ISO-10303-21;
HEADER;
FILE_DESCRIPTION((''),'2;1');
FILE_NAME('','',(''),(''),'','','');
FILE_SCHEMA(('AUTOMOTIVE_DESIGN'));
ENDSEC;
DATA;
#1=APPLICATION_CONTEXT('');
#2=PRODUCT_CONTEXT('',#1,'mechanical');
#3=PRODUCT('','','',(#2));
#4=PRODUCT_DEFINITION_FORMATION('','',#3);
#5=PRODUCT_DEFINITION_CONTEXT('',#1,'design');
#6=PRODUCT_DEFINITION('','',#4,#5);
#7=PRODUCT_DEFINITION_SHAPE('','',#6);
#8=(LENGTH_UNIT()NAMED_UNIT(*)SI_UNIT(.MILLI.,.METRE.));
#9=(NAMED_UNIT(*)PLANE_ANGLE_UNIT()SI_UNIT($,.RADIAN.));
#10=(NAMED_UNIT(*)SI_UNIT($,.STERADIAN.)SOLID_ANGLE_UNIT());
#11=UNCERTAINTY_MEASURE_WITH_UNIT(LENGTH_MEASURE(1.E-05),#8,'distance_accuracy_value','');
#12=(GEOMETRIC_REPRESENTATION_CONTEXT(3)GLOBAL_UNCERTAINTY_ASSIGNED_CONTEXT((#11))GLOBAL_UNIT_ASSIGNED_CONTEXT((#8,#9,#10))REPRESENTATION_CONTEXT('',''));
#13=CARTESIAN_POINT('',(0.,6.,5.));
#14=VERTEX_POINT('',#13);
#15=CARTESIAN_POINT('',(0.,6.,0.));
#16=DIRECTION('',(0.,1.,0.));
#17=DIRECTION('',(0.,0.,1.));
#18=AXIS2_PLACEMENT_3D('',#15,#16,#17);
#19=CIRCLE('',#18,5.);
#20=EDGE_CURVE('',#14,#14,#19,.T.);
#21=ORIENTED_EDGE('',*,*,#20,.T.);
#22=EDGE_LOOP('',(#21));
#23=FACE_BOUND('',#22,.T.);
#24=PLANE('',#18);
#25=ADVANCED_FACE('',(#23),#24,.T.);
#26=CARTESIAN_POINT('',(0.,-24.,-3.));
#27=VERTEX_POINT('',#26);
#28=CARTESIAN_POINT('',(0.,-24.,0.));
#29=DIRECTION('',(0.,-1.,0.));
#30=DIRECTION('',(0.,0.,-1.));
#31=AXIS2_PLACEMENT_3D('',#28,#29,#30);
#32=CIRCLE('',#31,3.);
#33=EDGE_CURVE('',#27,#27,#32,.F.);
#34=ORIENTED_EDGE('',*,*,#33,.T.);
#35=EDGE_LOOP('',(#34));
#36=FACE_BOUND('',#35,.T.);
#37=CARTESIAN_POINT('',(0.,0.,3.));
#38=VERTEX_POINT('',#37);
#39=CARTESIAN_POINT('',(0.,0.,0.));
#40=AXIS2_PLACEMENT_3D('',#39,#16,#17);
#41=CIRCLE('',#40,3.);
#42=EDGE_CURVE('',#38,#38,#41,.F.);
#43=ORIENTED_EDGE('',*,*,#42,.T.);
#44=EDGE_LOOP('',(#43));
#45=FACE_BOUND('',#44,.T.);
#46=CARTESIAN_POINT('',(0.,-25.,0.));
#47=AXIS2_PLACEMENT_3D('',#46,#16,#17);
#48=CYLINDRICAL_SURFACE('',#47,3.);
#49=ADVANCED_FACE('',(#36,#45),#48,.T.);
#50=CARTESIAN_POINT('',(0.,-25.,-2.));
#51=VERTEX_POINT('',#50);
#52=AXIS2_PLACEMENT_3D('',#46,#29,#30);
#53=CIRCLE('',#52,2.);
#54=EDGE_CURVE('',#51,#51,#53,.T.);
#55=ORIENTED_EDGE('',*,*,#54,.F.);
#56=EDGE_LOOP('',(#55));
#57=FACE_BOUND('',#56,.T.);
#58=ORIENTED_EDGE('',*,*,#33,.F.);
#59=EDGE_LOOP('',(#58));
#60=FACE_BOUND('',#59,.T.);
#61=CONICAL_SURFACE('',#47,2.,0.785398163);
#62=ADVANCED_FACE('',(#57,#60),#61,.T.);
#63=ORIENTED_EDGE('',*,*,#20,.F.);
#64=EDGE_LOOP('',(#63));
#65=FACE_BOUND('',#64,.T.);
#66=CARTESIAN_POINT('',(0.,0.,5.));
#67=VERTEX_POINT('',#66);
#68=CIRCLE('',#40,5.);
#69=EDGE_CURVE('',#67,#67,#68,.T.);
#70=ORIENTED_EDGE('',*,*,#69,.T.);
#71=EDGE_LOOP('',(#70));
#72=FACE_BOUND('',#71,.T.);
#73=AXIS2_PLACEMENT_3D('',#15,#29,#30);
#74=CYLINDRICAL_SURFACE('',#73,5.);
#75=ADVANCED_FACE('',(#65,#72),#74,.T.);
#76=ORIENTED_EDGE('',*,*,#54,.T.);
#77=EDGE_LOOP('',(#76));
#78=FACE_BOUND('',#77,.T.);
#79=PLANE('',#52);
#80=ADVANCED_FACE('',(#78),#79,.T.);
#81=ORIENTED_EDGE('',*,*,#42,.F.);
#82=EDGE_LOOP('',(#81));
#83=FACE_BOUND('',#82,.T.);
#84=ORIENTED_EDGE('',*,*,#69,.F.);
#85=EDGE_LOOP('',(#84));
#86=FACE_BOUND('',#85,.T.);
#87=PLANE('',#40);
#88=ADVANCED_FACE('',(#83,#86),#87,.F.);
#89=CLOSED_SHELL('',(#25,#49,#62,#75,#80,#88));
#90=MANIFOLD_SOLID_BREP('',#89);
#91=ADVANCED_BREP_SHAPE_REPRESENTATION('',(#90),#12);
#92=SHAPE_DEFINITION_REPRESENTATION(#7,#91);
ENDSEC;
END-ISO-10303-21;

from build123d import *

# Parameters (mm, degrees)
SKETCH1_R           = 5
BOSS_EXTRUDE1_DEPTH = 6
SKETCH2_R           = 3
BOSS_EXTRUDE2_DEPTH = 25
CHAMFER1_SIZE       = 1


with BuildPart() as part:
    # Sketch1 → Boss-Extrude1 (new body)
    with BuildSketch(Plane(origin=(0, 0, 0), x_dir=(1, 0, 0), z_dir=(0, 1, 0))):
        Circle(SKETCH1_R)
    extrude(amount=BOSS_EXTRUDE1_DEPTH)

    # Sketch2 → Boss-Extrude2 (add)
    with BuildSketch(Plane.XZ):
        Circle(SKETCH2_R)
    extrude(amount=BOSS_EXTRUDE2_DEPTH)

    # Chamfer1
    chamfer1_edges = [part.edges().sort_by_distance(p)[0] for p in [
        (-3, -25, 0),
    ]]
    chamfer(chamfer1_edges, length=CHAMFER1_SIZE)


solid = part.part
